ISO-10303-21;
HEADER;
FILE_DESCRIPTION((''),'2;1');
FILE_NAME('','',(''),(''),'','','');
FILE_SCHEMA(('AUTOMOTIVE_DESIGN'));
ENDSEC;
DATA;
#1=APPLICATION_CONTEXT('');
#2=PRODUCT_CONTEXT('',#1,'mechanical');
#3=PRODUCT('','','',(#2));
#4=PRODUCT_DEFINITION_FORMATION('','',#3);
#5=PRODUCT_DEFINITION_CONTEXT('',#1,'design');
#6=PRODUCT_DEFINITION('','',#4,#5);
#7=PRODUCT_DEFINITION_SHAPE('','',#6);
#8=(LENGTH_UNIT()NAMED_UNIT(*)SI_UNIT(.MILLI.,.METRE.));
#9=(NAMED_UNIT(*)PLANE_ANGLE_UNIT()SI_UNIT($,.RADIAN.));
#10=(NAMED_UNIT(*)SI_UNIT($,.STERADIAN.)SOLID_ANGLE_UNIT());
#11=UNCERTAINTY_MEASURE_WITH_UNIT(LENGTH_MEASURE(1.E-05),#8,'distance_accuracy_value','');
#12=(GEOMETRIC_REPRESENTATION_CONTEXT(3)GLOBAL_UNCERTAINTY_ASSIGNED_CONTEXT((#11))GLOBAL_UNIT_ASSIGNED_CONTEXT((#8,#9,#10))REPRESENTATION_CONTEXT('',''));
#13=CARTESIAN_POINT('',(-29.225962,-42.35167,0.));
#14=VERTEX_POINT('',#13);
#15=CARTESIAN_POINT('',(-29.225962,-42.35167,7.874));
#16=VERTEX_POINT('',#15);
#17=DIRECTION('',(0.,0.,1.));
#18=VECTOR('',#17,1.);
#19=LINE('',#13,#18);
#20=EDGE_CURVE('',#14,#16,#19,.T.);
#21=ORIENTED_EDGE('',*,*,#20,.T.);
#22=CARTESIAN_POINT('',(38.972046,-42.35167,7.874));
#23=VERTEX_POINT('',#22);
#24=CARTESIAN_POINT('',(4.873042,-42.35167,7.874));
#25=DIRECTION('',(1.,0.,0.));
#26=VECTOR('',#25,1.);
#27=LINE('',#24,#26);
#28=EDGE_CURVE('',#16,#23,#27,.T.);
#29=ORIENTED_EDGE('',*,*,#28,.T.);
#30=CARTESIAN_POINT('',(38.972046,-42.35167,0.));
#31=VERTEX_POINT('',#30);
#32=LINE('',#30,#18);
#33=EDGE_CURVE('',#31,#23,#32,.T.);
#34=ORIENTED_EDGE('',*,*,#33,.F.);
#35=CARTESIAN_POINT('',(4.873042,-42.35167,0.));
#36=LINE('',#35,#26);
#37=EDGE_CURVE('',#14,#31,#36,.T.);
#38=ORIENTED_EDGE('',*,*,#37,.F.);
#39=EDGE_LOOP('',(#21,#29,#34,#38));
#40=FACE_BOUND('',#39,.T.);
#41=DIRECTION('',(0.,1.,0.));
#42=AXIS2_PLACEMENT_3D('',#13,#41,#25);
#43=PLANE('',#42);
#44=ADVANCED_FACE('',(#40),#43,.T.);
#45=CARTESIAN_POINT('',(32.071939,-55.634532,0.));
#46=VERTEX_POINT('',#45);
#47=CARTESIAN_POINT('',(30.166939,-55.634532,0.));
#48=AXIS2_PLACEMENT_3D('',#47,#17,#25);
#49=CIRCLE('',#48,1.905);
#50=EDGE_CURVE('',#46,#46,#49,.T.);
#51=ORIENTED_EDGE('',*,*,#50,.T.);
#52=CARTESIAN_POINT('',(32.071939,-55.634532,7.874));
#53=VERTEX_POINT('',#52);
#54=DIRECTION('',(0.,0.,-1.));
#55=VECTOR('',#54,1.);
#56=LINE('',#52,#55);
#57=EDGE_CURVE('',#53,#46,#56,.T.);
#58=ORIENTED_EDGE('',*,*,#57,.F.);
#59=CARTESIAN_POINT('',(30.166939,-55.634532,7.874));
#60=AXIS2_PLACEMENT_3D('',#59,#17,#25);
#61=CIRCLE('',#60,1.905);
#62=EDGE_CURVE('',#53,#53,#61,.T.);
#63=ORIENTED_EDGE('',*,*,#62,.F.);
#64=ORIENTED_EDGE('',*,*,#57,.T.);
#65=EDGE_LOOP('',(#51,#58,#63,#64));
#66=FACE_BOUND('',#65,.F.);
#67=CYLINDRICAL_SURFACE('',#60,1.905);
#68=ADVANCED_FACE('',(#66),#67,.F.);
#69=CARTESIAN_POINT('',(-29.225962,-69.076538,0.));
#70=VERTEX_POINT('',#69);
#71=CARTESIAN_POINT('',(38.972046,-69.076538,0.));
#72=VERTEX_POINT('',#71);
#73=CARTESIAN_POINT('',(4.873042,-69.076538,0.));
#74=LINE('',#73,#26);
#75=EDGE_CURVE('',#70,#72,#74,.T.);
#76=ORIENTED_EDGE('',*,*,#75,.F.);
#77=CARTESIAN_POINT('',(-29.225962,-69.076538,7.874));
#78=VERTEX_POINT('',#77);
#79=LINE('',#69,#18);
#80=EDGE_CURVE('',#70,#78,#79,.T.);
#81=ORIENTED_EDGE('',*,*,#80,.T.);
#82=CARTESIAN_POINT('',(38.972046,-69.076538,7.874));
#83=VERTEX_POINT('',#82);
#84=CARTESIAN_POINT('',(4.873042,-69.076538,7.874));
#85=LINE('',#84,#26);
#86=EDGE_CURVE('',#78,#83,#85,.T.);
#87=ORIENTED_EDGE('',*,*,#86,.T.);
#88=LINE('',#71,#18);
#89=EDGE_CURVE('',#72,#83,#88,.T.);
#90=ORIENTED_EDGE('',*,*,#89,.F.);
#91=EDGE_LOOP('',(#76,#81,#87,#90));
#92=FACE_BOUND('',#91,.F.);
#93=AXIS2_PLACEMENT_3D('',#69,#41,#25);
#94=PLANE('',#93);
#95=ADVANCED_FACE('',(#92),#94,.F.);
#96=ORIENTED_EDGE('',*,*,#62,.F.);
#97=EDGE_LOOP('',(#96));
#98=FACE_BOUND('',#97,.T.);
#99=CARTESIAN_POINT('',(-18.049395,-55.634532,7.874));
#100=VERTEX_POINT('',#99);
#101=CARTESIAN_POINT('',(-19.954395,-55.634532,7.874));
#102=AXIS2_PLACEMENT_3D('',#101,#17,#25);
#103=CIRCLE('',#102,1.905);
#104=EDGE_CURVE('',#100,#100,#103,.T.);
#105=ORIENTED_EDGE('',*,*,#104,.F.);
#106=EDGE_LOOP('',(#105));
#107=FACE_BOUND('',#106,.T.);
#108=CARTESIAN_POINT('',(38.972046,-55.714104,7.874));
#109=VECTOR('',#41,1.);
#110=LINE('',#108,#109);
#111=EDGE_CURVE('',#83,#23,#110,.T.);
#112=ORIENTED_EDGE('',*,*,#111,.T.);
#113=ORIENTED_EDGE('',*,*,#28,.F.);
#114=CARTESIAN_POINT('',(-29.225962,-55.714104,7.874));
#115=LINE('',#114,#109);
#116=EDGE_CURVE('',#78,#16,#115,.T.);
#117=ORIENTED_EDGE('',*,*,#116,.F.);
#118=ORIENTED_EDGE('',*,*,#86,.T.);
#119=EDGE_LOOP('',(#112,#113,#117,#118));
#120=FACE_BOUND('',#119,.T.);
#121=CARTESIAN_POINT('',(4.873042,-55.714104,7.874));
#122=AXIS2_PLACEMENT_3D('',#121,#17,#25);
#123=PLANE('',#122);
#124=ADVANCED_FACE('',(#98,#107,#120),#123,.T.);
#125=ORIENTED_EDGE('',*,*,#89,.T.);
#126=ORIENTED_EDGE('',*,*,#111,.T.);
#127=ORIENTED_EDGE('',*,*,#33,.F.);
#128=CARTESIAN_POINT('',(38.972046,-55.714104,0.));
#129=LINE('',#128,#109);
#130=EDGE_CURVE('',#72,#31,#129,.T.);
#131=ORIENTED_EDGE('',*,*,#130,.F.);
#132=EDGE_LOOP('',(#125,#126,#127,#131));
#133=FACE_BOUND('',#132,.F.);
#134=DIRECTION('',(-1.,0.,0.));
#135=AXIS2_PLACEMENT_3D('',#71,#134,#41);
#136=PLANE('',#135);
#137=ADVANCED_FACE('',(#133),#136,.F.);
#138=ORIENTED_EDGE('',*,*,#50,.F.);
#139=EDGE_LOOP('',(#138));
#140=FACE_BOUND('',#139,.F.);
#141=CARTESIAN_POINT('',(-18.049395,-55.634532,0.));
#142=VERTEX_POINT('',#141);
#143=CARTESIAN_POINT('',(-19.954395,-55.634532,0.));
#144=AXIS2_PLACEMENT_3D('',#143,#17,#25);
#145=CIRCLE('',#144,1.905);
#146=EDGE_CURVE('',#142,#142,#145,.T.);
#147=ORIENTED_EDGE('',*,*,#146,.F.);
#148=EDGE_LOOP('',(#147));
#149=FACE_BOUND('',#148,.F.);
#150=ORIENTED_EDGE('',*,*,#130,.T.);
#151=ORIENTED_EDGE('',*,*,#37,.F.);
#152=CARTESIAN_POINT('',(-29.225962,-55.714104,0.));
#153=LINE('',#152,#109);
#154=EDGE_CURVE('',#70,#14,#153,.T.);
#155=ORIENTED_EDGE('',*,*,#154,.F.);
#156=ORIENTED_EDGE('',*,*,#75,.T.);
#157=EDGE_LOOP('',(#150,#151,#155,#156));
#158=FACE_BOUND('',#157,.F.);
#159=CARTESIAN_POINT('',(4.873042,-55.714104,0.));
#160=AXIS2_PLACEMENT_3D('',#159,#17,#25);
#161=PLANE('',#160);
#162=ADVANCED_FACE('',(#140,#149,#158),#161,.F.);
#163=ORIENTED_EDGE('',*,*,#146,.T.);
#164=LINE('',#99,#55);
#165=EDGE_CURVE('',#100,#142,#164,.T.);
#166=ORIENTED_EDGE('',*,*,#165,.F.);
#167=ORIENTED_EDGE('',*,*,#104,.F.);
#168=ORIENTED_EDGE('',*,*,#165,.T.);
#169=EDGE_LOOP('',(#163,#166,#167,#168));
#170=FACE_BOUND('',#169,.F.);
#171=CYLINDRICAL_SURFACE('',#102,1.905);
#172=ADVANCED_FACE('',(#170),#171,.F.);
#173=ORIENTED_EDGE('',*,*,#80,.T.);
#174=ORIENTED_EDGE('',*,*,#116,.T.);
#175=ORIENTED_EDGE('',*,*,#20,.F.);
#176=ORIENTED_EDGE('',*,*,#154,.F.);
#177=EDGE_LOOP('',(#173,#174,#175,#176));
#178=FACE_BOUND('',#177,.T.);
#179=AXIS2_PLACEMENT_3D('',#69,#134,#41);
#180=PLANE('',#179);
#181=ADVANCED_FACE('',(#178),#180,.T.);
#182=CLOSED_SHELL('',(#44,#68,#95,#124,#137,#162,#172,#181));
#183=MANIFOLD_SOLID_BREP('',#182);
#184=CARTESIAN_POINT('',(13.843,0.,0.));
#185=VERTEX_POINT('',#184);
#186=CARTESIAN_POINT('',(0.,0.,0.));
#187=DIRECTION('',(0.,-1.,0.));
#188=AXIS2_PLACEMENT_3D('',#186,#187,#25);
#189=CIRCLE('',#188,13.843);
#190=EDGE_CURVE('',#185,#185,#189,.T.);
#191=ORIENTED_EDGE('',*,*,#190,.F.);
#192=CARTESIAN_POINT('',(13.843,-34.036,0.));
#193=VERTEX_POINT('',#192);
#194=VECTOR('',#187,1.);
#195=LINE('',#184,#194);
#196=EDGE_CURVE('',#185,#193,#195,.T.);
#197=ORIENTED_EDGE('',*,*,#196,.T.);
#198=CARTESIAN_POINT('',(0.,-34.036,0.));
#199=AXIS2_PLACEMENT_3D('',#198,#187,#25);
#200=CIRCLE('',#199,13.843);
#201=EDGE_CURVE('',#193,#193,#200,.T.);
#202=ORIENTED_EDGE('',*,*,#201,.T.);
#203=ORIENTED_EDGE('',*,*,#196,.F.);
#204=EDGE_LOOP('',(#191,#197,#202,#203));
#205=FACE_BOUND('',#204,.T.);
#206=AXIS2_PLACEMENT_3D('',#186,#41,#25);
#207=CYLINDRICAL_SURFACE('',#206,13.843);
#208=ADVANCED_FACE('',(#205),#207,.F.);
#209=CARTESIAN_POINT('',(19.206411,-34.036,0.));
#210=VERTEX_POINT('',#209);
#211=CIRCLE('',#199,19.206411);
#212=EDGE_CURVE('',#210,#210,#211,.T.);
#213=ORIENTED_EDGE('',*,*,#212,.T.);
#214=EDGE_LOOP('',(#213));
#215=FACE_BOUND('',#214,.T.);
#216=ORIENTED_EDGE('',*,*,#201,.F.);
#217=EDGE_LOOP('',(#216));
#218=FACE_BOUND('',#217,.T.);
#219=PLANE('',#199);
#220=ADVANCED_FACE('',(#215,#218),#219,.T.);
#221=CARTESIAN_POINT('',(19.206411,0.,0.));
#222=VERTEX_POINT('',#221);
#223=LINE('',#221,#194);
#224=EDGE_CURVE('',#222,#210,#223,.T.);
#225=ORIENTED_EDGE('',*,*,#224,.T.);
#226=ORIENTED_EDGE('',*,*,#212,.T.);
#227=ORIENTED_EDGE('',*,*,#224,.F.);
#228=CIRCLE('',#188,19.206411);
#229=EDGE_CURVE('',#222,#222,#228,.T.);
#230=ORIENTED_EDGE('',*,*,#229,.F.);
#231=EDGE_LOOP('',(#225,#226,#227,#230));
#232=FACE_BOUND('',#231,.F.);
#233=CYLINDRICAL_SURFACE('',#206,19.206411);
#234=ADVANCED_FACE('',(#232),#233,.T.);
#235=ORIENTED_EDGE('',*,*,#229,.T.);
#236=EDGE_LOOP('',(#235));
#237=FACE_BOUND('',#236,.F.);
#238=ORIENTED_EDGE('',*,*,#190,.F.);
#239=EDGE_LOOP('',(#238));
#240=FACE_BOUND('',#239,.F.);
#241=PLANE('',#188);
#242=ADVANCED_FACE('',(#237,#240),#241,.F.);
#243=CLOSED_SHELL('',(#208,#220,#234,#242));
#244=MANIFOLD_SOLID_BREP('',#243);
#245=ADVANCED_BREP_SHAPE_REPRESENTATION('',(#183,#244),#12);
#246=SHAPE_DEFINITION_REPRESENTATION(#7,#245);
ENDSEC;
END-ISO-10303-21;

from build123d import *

# Parameters (mm, degrees)
F0_W     = 68.198008
F0_H     = 26.724867
F1_DEPTH = 7.874
F2_R     = 1.905
F3_DEPTH = 25.4
F4_R     = 19.206411
F4_R_2   = 13.843
F5_DEPTH = 34.036


with BuildPart() as f1:
    # F0 (on Top) → F1 (new body)
    with BuildSketch(Plane.XY):
        with Locations((4.873042, -55.714104)):
            Rectangle(F0_W, F0_H)
    extrude(amount=F1_DEPTH)

    # F2 (on face) → F3 (cut)
    with BuildSketch(Plane.XY.offset(7.874)):
        with Locations((-19.954395, -55.634532)):
            Circle(F2_R)
        with Locations((30.166939, -55.634532)):
            Circle(F2_R)
    extrude(amount=-F3_DEPTH, mode=Mode.SUBTRACT)


with BuildPart() as f5:
    # F4 (on Front) → F5 (new body)
    with BuildSketch(Plane.XZ):
        Circle(F4_R)
        Circle(F4_R_2, mode=Mode.SUBTRACT)
    extrude(amount=F5_DEPTH)


solid = Compound([f1.part, f5.part])
